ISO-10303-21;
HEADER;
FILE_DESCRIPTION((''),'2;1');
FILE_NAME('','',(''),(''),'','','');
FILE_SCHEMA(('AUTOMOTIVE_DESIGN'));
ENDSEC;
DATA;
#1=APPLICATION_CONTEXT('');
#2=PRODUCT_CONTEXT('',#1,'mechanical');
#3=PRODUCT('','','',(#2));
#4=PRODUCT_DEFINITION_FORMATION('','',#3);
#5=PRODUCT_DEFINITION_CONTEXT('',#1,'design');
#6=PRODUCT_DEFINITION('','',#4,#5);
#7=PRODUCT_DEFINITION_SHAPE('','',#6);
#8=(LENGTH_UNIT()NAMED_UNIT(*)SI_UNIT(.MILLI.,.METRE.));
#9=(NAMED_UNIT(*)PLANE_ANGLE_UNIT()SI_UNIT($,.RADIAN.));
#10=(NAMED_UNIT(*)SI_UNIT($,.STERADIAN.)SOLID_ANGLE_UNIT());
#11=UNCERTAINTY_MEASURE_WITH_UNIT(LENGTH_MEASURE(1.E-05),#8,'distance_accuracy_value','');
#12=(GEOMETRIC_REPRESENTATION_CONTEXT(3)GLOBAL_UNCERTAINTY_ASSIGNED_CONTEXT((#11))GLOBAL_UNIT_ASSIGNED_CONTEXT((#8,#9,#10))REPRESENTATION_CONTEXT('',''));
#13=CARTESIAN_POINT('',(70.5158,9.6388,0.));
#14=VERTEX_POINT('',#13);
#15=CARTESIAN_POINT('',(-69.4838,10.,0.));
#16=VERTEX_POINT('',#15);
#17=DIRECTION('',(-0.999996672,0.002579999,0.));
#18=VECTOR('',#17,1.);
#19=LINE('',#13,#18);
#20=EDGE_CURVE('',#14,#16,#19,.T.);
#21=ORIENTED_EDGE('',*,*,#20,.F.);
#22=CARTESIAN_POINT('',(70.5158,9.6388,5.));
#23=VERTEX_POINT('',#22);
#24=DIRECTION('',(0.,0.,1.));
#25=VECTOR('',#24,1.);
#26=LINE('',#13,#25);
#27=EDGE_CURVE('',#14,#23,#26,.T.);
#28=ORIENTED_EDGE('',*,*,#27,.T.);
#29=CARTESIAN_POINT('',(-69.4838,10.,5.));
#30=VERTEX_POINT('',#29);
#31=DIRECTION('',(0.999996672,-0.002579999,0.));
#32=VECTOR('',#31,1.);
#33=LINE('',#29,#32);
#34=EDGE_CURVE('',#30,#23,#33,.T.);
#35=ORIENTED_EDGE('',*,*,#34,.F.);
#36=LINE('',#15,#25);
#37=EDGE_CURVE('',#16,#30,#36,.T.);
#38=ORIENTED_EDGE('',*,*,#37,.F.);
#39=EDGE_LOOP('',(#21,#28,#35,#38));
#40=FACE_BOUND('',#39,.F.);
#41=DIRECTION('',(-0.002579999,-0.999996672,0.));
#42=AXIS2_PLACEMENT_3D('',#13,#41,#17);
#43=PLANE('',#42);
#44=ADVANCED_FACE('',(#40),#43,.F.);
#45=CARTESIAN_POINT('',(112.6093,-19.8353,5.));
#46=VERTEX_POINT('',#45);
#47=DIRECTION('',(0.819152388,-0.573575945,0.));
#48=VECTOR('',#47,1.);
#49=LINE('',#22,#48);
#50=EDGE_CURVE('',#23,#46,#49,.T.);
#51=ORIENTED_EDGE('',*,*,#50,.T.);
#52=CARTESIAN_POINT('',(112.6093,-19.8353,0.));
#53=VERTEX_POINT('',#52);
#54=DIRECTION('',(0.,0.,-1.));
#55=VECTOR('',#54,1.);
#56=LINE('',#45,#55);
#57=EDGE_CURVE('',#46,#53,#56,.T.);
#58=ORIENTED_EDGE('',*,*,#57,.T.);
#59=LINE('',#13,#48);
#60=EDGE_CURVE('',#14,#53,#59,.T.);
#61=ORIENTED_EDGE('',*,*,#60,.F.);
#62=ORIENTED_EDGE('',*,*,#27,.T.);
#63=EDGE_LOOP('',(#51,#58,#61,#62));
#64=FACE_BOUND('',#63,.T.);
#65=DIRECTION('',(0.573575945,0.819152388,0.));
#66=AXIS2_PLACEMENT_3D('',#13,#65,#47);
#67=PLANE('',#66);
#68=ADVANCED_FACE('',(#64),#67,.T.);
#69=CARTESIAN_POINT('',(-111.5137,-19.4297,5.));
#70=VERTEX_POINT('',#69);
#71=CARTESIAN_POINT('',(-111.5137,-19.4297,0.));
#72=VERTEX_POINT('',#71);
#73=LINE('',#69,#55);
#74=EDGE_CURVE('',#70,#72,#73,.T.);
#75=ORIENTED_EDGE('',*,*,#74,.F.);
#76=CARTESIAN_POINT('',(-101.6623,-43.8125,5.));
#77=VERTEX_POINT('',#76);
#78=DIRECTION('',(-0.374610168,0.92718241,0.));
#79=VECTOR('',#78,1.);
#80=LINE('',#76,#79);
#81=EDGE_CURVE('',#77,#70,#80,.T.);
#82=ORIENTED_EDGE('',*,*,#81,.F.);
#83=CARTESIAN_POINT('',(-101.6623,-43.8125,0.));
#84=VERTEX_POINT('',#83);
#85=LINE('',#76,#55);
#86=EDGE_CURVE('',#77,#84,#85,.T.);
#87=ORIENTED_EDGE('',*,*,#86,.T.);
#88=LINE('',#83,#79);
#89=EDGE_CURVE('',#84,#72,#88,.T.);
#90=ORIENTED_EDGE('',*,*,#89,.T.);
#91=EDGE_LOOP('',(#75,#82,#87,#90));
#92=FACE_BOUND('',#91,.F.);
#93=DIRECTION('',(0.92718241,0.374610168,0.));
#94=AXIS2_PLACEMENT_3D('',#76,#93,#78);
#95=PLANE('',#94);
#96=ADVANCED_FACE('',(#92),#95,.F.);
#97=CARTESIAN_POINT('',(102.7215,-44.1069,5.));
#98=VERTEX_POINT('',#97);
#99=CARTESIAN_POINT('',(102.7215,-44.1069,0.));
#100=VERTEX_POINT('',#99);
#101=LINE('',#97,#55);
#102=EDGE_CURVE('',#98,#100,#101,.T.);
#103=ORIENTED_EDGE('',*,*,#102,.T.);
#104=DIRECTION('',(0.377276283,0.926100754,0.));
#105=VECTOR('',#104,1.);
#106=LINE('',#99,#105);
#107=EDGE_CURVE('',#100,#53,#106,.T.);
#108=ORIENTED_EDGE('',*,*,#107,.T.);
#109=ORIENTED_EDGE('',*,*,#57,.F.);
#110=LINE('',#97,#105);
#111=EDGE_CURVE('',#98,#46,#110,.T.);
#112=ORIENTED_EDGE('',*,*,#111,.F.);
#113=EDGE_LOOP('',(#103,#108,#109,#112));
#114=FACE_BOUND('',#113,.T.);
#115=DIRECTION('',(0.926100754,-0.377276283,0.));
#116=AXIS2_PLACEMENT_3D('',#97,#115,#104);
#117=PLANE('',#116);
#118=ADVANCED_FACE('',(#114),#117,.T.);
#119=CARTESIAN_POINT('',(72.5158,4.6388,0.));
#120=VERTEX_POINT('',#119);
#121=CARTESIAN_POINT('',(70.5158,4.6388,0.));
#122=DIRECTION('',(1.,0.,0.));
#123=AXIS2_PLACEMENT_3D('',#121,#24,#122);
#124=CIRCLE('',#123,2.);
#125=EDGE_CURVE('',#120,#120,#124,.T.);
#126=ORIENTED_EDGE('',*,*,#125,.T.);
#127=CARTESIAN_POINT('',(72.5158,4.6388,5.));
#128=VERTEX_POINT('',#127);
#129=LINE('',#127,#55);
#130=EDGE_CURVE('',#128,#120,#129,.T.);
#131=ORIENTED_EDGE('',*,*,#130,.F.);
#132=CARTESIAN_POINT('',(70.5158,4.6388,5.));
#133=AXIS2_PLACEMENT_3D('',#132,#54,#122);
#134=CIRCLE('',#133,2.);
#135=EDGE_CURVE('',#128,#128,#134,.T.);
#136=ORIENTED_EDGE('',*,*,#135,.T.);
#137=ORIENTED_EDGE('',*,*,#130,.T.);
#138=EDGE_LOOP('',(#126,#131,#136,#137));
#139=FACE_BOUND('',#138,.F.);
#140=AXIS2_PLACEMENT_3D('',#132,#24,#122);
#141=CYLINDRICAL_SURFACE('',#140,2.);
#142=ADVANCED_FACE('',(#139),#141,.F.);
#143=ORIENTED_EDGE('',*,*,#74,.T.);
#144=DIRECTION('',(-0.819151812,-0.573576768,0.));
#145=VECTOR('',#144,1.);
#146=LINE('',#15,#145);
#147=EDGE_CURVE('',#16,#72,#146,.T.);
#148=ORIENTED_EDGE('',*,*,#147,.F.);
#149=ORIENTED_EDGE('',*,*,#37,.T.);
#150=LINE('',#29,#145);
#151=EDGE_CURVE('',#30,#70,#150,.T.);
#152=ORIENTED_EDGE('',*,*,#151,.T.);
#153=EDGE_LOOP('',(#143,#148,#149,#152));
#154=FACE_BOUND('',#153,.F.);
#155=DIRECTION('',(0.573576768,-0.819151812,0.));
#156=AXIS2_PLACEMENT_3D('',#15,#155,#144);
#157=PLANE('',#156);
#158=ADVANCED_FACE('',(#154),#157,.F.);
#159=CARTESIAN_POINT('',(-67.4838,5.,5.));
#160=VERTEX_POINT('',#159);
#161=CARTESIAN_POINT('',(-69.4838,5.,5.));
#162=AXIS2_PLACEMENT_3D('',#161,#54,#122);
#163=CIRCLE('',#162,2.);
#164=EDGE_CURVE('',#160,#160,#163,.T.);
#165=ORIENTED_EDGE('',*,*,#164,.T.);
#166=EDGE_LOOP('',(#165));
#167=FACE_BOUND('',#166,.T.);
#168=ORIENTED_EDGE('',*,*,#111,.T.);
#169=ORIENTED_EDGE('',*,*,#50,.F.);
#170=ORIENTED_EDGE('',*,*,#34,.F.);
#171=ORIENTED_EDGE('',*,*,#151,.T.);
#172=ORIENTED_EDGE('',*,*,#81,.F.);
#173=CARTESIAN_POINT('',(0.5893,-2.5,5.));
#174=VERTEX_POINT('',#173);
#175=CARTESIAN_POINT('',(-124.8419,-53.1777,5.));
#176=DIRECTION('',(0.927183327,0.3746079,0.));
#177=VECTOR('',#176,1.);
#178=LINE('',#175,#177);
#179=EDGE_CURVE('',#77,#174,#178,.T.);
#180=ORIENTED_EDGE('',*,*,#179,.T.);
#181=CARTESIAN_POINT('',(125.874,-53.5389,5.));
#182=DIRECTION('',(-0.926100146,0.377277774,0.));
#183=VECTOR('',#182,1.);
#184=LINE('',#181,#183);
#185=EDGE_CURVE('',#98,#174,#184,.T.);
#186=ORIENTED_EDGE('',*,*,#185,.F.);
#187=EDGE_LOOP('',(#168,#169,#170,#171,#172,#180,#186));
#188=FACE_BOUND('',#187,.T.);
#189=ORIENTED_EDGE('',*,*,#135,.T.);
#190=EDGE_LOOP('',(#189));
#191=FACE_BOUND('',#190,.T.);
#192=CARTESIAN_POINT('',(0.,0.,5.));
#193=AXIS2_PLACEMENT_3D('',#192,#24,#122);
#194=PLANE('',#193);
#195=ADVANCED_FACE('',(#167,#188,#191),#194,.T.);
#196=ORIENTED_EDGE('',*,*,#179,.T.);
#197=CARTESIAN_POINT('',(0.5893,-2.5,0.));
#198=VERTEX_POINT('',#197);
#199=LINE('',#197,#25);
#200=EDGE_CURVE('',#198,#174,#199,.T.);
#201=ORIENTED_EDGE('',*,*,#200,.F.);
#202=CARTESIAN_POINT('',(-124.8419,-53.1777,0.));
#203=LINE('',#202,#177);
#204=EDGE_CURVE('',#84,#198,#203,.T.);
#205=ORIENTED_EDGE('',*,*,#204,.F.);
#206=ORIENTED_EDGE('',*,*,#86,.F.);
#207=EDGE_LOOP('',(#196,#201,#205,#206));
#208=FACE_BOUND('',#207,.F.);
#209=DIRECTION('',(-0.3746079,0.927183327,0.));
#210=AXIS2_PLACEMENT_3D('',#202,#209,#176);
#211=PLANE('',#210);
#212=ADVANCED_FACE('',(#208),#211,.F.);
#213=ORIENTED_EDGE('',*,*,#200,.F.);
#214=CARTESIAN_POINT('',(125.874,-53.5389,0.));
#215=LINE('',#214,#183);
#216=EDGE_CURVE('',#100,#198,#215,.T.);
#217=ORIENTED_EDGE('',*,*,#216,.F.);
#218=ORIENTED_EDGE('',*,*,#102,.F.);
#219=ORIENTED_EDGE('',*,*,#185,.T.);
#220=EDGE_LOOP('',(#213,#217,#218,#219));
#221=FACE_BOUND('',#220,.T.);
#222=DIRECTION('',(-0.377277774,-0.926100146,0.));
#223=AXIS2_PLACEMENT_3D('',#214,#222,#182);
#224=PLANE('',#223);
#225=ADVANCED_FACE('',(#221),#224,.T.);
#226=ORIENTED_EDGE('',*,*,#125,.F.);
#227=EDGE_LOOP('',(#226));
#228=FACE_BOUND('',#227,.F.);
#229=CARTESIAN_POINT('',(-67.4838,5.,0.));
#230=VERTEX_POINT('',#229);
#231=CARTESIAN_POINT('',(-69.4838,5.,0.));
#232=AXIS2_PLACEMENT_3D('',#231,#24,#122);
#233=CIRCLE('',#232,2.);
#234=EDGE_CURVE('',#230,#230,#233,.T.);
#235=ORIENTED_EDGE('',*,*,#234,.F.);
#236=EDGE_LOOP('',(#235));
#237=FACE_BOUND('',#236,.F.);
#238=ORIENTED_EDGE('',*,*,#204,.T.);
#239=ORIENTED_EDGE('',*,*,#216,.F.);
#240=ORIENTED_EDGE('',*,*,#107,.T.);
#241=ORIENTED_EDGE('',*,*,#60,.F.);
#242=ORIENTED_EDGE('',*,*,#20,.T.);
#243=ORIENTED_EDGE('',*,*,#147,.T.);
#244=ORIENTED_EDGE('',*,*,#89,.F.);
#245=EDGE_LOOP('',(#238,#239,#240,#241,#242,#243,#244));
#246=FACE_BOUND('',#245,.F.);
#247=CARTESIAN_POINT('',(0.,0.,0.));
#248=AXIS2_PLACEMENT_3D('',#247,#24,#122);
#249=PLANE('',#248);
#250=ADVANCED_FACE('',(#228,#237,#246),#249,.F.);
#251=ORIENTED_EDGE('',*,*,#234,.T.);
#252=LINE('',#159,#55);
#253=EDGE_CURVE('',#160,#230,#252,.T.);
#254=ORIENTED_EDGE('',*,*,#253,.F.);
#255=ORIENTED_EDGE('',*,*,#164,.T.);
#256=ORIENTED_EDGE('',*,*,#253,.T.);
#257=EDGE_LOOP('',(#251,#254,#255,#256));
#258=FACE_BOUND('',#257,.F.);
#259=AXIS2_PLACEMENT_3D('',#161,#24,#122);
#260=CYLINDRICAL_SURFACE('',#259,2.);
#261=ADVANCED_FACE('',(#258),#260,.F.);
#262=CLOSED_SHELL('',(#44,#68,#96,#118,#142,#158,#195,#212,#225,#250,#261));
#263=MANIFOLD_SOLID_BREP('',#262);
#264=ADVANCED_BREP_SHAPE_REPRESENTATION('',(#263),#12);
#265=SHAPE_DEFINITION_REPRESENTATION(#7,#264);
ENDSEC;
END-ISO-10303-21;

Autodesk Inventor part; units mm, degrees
ref_plane "YZ Plane" through (0, 0, 0) normal (1, 0, 0) x (0, 1, 0)
ref_plane "XZ Plane" through (0, 0, 0) normal (0, 1, 0) x (-1, 0, 0)
ref_plane "XY Plane" through (0, 0, 0) normal (0, 0, 1) x (1, 0, 0)
sketch "Náčrt1" plane through (0, 0, 0) normal (0, 0, 1) x (1, 0, 0)
  line L0 (70.5158, 9.6388) -> (-69.4838, 10)
  line L1 (70.5158, 9.6388) -> (137.3455, -37.1558)
  line L2 (70.5158, 9.6388) -> (152.0998, 9.6388) construction
  line L3 (137.3455, -37.1558) -> (125.874, -53.5389)
  line L4 (-69.4838, 10) -> (-136.3135, -36.7947)
  line L5 (-69.4838, 10) -> (12.1002, 10) construction
  line L6 (-136.3135, -36.7947) -> (-124.8419, -53.1777)
  line L7 (0.6215, 10) -> (0.5893, -2.5)
  line L8 (-124.8419, -53.1777) -> (0.5893, -2.5)
  line L9 (125.874, -53.5389) -> (0.5893, -2.5)
  point P0 (0, 0)
  dimension "d2" = 140
  dimension "d3" = 81.584
  dimension "d4" = 35
  dimension "d5" = 20
  dimension "d6" = 81.584
  dimension "d7" = 145
  dimension "d8" = 20
  dimension "d9" = 12.5
  dimension "d22" = 135.282
  dimension "d23" = 135.282
extrude "Vysunutí1" add sketch "Náčrt1" along normal blind 5
sketch "Náčrt2" plane through (0, 0, 5) normal (0, 0, 1) x (1, 0, 0)
  line L0 (-136.3135, -36.7947) -> (-124.8419, -53.1777) projected
  line L1 (-124.8419, -53.1777) -> (-101.6623, -43.8125)
  line L2 (-124.8419, -53.1777) -> (0.5893, -2.5) projected
  line L3 (-101.6623, -43.8125) -> (-111.5137, -19.4297)
  line L4 (-69.4838, 10) -> (-136.3135, -36.7947) projected
  line L5 (-136.3135, -36.7947) -> (-124.8419, -53.1777)
  line L6 (0.5893, -2.5) -> (125.874, -53.5389) projected
  line L7 (125.874, -53.5389) -> (102.7215, -44.1069)
  line L8 (102.7215, -44.1069) -> (112.6093, -19.8353)
  line L9 (137.3455, -37.1558) -> (70.5158, 9.6388) projected
  line L10 (137.3455, -37.1558) -> (112.6093, -19.8353)
  line L11 (125.874, -53.5389) -> (137.3455, -37.1558) projected
  line L12 (125.874, -53.5389) -> (137.3455, -37.1558)
  point P0 (0, 0)
  dimension "d12" = 25
  dimension "d13" = 25
extrude "Vysunutí2" cut sketch "Náčrt2" against normal blind 5
sketch "Náčrt5" plane through (0, 0, 5) normal (0, 0, 1) x (1, 0, 0)
  line L0 (70.5158, 9.6388) -> (-69.4838, 10) projected
  line L1 (-69.4838, 10) -> (-69.4838, 5)
  line L2 (-69.4838, 10) -> (-64.4838, 10) construction
  line L3 (112.6093, -19.8353) -> (70.5158, 9.6388) projected
  line L4 (70.5158, 9.6388) -> (70.5158, 4.6388)
  line L5 (70.5158, 9.6388) -> (75.5158, 9.6388) construction
  circle A0 centre (-69.4838, 5) radius 2
  circle A1 centre (70.5158, 4.6388) radius 2
  point P0 (0, 0)
  dimension "d24" = 5
  dimension "d25" = 90
  dimension "d26" = 5
  dimension "d27" = 90
  dimension "d28" = 4
  dimension "d29" = 4
extrude "Vysunutí4" cut sketch "Náčrt5" against normal blind 10
properties part number "zaver"
